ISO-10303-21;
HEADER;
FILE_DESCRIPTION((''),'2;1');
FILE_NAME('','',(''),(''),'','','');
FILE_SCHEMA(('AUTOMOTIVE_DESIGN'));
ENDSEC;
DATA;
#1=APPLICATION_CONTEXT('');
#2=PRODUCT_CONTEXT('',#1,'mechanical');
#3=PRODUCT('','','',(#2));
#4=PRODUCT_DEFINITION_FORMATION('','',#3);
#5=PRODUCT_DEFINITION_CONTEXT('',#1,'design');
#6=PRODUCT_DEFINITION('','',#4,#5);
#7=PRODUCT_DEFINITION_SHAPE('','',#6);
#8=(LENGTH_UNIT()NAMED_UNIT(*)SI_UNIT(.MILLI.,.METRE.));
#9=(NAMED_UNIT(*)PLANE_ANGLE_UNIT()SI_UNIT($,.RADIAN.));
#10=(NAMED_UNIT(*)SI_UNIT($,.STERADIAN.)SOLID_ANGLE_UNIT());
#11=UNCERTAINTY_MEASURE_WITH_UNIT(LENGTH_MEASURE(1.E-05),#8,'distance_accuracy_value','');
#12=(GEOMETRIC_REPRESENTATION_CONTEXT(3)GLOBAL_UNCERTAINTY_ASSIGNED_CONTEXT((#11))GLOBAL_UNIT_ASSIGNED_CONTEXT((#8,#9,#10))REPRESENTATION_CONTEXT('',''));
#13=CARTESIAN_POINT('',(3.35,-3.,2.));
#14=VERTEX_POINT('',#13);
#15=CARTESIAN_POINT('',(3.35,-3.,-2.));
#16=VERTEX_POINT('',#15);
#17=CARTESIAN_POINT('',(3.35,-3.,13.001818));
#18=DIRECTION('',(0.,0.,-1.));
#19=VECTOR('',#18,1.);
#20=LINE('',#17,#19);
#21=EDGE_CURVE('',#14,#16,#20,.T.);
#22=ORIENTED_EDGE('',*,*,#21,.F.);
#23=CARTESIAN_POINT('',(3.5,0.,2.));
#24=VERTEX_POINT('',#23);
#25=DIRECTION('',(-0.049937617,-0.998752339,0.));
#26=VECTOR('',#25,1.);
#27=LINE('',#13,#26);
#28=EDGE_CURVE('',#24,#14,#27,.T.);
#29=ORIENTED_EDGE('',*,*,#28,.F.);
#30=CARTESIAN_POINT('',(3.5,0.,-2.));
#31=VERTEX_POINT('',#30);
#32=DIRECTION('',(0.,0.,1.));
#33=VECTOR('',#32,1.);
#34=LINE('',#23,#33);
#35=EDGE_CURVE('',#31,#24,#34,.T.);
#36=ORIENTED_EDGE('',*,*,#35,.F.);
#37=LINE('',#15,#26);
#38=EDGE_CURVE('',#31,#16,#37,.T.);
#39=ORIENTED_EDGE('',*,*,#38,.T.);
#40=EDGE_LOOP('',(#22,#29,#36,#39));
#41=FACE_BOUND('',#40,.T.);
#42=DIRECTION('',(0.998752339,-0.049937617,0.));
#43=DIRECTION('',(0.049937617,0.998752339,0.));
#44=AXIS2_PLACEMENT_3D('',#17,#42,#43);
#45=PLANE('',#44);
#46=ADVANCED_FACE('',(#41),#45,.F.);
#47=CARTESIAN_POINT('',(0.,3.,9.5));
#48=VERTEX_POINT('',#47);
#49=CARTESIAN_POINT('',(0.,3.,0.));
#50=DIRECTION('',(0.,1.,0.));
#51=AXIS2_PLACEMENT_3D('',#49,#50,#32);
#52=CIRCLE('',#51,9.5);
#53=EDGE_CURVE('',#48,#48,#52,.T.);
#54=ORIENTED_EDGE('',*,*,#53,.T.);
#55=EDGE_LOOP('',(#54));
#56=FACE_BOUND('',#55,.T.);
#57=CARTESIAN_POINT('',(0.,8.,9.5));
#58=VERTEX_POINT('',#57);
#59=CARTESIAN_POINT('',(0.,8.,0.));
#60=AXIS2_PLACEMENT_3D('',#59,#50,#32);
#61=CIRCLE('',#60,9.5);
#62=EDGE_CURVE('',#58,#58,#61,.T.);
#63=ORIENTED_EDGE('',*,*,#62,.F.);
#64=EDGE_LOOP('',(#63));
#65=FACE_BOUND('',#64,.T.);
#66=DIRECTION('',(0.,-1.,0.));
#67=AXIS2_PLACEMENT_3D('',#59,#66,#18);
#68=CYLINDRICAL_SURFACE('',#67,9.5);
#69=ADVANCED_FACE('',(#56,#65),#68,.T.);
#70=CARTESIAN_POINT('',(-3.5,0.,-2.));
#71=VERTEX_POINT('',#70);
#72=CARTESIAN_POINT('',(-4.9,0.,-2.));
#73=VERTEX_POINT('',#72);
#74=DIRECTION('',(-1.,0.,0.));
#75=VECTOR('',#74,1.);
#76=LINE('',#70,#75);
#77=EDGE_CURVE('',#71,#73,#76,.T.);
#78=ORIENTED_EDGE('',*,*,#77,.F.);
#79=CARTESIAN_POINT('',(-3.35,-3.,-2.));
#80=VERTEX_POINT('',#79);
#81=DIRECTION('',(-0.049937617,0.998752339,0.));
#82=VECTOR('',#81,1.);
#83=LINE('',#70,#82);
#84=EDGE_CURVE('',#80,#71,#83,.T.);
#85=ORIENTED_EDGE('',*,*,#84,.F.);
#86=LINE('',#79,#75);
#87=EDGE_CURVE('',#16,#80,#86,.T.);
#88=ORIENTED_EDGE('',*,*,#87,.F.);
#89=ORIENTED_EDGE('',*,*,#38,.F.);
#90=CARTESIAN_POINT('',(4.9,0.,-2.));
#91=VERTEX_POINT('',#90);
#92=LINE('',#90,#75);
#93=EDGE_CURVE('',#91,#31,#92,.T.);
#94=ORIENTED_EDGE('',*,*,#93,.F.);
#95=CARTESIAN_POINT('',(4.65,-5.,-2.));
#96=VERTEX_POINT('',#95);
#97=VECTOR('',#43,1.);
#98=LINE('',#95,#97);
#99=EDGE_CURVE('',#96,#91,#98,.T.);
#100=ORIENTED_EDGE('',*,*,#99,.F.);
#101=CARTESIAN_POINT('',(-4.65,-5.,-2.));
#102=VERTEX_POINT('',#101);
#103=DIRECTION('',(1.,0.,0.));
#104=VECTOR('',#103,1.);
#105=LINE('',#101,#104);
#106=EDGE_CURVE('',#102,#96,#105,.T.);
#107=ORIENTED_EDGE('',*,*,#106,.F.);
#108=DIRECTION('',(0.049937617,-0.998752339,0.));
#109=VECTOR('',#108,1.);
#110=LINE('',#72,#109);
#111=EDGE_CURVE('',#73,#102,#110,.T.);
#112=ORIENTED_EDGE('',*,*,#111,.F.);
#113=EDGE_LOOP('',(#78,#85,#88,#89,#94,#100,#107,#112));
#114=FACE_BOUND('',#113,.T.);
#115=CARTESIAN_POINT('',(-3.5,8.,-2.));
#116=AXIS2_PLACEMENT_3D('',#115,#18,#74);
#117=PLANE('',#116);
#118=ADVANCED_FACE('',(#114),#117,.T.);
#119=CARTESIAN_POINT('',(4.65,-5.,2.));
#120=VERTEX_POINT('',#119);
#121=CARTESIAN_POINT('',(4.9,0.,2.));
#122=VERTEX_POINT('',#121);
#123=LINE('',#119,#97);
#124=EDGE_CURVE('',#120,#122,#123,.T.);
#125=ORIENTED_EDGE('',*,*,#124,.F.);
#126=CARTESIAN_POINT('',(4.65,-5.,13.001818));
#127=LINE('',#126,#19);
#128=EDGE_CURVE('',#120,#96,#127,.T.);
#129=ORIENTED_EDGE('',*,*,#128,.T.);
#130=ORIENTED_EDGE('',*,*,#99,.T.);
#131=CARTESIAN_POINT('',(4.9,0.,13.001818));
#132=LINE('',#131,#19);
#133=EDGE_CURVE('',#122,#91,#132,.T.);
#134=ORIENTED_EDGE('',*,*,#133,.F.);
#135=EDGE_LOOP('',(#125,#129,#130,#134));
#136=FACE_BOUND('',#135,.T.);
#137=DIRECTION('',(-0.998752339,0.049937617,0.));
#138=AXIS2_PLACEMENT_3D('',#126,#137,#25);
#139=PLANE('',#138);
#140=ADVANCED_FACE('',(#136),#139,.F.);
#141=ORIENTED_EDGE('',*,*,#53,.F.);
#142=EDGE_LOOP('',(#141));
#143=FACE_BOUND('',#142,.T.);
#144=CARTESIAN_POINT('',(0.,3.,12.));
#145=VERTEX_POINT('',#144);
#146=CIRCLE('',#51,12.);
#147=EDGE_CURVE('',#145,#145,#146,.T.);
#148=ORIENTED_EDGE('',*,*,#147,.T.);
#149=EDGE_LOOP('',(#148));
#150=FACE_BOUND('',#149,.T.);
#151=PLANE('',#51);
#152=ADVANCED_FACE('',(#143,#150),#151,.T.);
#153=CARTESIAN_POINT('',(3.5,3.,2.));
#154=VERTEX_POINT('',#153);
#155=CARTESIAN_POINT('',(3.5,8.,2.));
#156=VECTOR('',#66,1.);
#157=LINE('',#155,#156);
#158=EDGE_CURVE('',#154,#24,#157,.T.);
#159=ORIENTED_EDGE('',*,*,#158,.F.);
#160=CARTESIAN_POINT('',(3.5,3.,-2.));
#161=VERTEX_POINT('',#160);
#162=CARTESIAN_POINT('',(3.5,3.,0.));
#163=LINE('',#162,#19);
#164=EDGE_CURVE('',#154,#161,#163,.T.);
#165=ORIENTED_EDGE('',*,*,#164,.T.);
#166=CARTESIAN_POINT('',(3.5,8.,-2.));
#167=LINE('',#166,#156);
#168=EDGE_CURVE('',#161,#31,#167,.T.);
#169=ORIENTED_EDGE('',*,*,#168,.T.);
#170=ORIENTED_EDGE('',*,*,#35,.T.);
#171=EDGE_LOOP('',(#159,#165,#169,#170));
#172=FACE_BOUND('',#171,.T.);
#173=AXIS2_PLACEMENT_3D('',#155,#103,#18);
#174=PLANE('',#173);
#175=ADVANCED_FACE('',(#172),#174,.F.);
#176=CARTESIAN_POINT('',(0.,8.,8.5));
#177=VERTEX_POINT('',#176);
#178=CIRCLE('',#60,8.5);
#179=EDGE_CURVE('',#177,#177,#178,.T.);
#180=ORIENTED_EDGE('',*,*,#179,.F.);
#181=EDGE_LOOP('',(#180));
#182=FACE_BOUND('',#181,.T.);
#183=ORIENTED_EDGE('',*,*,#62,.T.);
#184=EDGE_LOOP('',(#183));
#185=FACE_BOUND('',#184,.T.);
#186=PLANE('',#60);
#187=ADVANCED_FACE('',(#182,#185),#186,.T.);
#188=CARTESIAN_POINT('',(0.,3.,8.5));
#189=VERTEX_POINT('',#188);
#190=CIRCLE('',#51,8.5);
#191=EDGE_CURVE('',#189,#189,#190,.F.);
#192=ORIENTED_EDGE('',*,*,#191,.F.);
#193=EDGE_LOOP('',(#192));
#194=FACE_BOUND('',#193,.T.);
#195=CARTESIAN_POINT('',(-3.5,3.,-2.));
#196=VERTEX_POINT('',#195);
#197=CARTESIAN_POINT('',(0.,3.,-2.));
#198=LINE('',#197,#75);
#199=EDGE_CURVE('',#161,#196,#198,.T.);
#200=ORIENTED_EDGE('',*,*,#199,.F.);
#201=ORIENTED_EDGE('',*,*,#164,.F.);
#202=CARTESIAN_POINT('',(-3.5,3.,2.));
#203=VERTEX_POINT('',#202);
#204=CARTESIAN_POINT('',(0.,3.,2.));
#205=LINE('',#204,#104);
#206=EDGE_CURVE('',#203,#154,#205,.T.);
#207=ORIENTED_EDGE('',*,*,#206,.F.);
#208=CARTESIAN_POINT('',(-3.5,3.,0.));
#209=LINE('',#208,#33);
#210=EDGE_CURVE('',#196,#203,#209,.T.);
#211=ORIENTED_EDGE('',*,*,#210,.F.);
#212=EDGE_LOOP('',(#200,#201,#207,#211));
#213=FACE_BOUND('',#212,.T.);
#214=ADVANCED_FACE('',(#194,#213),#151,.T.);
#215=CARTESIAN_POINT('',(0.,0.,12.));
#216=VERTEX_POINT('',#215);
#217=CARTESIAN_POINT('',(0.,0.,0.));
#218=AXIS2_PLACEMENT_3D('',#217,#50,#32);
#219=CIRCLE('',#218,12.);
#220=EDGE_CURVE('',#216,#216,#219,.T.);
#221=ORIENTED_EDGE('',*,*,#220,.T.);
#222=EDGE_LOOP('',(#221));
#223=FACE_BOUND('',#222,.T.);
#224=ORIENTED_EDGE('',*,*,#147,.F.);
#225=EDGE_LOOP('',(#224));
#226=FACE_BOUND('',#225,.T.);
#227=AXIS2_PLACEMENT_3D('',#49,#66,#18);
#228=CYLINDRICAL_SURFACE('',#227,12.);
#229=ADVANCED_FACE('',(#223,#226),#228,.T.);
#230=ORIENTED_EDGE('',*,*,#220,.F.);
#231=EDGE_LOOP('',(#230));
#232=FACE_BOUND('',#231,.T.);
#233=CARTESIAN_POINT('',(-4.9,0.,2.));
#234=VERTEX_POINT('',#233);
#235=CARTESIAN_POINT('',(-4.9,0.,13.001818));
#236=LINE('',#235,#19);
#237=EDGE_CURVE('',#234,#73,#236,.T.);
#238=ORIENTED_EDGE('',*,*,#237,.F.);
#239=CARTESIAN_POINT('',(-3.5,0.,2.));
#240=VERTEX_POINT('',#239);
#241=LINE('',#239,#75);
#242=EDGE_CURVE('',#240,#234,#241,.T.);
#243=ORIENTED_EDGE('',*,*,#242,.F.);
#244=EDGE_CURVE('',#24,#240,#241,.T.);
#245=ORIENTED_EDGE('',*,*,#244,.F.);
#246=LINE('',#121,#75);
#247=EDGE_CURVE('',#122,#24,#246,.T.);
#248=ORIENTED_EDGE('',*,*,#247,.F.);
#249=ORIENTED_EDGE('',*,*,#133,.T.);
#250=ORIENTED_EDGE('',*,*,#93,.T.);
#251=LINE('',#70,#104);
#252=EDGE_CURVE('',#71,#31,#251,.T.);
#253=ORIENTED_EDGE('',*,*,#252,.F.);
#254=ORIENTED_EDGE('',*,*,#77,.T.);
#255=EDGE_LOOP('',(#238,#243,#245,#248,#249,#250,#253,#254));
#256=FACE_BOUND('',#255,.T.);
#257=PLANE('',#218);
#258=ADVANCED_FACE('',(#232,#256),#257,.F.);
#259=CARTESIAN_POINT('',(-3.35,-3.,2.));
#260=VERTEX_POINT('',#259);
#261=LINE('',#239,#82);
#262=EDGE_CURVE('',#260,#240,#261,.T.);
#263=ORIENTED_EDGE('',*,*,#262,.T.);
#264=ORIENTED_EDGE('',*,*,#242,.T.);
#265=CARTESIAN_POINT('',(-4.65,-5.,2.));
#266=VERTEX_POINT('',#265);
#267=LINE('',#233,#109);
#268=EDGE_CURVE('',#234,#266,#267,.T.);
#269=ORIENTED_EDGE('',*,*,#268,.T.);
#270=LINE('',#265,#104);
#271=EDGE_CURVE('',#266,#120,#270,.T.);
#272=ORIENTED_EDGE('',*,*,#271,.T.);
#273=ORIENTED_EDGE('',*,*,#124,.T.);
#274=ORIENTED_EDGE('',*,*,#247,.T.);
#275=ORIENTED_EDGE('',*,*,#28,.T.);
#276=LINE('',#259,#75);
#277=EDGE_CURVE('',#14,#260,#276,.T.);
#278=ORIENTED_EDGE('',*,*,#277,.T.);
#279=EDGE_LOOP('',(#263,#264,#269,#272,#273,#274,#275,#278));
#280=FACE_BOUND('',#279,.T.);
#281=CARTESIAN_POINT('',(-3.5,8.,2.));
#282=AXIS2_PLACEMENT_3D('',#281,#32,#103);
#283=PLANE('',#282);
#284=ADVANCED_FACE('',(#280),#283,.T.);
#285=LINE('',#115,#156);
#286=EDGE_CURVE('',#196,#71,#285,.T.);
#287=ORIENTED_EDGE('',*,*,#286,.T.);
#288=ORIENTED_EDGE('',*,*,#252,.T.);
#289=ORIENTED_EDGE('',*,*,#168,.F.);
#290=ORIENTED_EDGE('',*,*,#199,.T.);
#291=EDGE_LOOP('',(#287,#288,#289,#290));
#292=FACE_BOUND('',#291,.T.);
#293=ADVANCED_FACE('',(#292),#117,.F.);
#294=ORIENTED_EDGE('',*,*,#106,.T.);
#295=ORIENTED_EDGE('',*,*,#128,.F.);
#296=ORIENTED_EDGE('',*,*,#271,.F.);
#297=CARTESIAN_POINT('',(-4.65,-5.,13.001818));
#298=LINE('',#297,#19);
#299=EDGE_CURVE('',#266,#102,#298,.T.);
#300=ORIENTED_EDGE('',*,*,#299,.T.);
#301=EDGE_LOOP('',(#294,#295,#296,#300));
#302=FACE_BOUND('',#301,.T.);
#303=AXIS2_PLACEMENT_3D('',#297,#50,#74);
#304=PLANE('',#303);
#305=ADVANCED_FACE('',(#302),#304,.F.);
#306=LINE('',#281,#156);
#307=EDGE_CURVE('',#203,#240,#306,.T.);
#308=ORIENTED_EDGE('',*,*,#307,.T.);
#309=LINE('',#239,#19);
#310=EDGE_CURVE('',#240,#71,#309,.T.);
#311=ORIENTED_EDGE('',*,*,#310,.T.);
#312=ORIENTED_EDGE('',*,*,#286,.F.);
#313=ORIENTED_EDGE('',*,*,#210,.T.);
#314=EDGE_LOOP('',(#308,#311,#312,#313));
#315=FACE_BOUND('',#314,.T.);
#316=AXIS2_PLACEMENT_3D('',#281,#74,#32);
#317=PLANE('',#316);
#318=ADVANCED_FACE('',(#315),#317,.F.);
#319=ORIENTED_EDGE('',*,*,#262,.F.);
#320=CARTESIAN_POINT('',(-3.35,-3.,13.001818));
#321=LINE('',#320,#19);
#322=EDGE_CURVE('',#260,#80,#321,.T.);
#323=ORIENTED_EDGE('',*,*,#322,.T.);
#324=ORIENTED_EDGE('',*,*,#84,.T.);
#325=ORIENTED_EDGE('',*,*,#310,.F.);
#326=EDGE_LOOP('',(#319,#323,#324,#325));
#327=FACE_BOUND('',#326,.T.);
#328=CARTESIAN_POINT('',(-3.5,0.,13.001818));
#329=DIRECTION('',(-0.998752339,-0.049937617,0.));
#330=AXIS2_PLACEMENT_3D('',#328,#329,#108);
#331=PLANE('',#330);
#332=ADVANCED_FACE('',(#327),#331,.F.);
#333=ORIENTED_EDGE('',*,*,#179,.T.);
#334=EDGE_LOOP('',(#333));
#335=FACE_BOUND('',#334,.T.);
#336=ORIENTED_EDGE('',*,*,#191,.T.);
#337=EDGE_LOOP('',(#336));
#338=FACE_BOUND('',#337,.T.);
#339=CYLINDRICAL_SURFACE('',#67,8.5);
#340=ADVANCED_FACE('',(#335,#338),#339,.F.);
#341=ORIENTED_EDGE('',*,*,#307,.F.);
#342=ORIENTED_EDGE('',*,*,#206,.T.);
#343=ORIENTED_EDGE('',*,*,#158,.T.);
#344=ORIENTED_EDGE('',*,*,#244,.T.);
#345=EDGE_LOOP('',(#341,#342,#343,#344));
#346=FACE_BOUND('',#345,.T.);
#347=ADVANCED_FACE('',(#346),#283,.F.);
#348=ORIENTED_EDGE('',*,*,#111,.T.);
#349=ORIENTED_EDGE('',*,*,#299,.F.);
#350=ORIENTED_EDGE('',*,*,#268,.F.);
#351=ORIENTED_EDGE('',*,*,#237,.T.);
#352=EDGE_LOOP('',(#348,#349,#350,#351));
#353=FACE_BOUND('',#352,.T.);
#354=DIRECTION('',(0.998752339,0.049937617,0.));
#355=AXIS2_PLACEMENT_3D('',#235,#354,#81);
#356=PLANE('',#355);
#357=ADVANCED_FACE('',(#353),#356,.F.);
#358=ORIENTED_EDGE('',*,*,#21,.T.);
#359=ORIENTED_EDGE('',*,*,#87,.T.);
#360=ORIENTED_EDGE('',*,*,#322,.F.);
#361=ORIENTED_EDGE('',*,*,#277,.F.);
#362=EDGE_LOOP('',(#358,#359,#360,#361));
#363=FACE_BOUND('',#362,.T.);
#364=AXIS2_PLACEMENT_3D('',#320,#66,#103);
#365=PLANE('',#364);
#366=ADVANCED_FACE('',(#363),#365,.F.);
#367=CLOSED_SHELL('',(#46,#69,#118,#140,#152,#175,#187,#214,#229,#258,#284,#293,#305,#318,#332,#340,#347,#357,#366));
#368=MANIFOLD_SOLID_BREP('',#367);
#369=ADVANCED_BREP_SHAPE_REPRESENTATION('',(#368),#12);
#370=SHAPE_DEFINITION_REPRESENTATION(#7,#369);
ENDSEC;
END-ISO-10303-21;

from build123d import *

# Parameters (mm, degrees)
PROFILES_R                  = 12
PROFILE_DEPTH               = 3
CONNECTINGWALLS_R           = 9.5
CONNECTINGWALLS_R_2         = 8.5
CONNECTINGWALL_DEPTH        = 5
CONNECTORCUTS_W             = 7
CONNECTORCUTS_H             = 4
CONNECTORCUT_DEPTH          = 19.761663039
CONNECTOR_REACH             = 20.762
CONNECTOR_DIRECTION_2_REACH = 20.762


with BuildPart() as part:
    # ProfileS → Profile (new body)
    with BuildSketch(Plane(origin=(0, 0, 0), x_dir=(1, 0, 0), z_dir=(0, 1, 0))):
        Circle(PROFILES_R)
    extrude(amount=PROFILE_DEPTH)

    # ConnectingWallS → ConnectingWall (add)
    with BuildSketch(Plane(origin=(0, 3, 0), x_dir=(1, 0, 0), z_dir=(0, 1, 0))):
        Circle(CONNECTINGWALLS_R)
        Circle(CONNECTINGWALLS_R_2, mode=Mode.SUBTRACT)
    extrude(amount=CONNECTINGWALL_DEPTH)

    # ConnectorCutS → ConnectorCut (cut, through all)
    with BuildSketch(Plane.XZ):
        Rectangle(CONNECTORCUTS_W, CONNECTORCUTS_H)
    extrude(amount=-CONNECTORCUT_DEPTH, mode=Mode.SUBTRACT)

    # Connector: up to this face of the body (flat: up to its plane)
    connector_end = Plane(part.part.faces().sort_by_distance((0, 1.5, 2))[0])
    # ConnectorS → Connector (add, up to the picked face)
    with BuildSketch(Plane.XY, mode=Mode.PRIVATE) as connector_sk1:
        Polygon((-3.5, 0), (-3.35, -3), (3.35, -3), (3.5, 0), (4.9, 0), (4.65, -5), (-4.65, -5), (-4.9, 0), align=None)
    connector_tool1 = split(extrude(connector_sk1.sketch, amount=CONNECTOR_REACH, mode=Mode.PRIVATE), bisect_by=connector_end, keep=Keep.BOTH, mode=Mode.PRIVATE)
    add(connector_tool1.solids().sort_by(Axis((0, -3.22549, 0), (0, 0, 1)))[0])

    # Connector direction 2: up to this face of the body (flat: up to its plane)
    connector_direction_2_end = Plane(part.part.faces().sort_by_distance((0, 1.5, -2))[0])
    # ConnectorS → Connector direction 2 (add, up to the picked face)
    with BuildSketch(Plane.XY, mode=Mode.PRIVATE) as connector_direction_2_sk1:
        Polygon((-3.5, 0), (-3.35, -3), (3.35, -3), (3.5, 0), (4.9, 0), (4.65, -5), (-4.65, -5), (-4.9, 0), align=None)
    connector_direction_2_tool1 = split(extrude(connector_direction_2_sk1.sketch, amount=-CONNECTOR_DIRECTION_2_REACH, mode=Mode.PRIVATE), bisect_by=connector_direction_2_end, keep=Keep.BOTH, mode=Mode.PRIVATE)
    add(connector_direction_2_tool1.solids().sort_by(Axis((0, -3.22549, 0), (0, 0, -1)))[0])


solid = part.part
